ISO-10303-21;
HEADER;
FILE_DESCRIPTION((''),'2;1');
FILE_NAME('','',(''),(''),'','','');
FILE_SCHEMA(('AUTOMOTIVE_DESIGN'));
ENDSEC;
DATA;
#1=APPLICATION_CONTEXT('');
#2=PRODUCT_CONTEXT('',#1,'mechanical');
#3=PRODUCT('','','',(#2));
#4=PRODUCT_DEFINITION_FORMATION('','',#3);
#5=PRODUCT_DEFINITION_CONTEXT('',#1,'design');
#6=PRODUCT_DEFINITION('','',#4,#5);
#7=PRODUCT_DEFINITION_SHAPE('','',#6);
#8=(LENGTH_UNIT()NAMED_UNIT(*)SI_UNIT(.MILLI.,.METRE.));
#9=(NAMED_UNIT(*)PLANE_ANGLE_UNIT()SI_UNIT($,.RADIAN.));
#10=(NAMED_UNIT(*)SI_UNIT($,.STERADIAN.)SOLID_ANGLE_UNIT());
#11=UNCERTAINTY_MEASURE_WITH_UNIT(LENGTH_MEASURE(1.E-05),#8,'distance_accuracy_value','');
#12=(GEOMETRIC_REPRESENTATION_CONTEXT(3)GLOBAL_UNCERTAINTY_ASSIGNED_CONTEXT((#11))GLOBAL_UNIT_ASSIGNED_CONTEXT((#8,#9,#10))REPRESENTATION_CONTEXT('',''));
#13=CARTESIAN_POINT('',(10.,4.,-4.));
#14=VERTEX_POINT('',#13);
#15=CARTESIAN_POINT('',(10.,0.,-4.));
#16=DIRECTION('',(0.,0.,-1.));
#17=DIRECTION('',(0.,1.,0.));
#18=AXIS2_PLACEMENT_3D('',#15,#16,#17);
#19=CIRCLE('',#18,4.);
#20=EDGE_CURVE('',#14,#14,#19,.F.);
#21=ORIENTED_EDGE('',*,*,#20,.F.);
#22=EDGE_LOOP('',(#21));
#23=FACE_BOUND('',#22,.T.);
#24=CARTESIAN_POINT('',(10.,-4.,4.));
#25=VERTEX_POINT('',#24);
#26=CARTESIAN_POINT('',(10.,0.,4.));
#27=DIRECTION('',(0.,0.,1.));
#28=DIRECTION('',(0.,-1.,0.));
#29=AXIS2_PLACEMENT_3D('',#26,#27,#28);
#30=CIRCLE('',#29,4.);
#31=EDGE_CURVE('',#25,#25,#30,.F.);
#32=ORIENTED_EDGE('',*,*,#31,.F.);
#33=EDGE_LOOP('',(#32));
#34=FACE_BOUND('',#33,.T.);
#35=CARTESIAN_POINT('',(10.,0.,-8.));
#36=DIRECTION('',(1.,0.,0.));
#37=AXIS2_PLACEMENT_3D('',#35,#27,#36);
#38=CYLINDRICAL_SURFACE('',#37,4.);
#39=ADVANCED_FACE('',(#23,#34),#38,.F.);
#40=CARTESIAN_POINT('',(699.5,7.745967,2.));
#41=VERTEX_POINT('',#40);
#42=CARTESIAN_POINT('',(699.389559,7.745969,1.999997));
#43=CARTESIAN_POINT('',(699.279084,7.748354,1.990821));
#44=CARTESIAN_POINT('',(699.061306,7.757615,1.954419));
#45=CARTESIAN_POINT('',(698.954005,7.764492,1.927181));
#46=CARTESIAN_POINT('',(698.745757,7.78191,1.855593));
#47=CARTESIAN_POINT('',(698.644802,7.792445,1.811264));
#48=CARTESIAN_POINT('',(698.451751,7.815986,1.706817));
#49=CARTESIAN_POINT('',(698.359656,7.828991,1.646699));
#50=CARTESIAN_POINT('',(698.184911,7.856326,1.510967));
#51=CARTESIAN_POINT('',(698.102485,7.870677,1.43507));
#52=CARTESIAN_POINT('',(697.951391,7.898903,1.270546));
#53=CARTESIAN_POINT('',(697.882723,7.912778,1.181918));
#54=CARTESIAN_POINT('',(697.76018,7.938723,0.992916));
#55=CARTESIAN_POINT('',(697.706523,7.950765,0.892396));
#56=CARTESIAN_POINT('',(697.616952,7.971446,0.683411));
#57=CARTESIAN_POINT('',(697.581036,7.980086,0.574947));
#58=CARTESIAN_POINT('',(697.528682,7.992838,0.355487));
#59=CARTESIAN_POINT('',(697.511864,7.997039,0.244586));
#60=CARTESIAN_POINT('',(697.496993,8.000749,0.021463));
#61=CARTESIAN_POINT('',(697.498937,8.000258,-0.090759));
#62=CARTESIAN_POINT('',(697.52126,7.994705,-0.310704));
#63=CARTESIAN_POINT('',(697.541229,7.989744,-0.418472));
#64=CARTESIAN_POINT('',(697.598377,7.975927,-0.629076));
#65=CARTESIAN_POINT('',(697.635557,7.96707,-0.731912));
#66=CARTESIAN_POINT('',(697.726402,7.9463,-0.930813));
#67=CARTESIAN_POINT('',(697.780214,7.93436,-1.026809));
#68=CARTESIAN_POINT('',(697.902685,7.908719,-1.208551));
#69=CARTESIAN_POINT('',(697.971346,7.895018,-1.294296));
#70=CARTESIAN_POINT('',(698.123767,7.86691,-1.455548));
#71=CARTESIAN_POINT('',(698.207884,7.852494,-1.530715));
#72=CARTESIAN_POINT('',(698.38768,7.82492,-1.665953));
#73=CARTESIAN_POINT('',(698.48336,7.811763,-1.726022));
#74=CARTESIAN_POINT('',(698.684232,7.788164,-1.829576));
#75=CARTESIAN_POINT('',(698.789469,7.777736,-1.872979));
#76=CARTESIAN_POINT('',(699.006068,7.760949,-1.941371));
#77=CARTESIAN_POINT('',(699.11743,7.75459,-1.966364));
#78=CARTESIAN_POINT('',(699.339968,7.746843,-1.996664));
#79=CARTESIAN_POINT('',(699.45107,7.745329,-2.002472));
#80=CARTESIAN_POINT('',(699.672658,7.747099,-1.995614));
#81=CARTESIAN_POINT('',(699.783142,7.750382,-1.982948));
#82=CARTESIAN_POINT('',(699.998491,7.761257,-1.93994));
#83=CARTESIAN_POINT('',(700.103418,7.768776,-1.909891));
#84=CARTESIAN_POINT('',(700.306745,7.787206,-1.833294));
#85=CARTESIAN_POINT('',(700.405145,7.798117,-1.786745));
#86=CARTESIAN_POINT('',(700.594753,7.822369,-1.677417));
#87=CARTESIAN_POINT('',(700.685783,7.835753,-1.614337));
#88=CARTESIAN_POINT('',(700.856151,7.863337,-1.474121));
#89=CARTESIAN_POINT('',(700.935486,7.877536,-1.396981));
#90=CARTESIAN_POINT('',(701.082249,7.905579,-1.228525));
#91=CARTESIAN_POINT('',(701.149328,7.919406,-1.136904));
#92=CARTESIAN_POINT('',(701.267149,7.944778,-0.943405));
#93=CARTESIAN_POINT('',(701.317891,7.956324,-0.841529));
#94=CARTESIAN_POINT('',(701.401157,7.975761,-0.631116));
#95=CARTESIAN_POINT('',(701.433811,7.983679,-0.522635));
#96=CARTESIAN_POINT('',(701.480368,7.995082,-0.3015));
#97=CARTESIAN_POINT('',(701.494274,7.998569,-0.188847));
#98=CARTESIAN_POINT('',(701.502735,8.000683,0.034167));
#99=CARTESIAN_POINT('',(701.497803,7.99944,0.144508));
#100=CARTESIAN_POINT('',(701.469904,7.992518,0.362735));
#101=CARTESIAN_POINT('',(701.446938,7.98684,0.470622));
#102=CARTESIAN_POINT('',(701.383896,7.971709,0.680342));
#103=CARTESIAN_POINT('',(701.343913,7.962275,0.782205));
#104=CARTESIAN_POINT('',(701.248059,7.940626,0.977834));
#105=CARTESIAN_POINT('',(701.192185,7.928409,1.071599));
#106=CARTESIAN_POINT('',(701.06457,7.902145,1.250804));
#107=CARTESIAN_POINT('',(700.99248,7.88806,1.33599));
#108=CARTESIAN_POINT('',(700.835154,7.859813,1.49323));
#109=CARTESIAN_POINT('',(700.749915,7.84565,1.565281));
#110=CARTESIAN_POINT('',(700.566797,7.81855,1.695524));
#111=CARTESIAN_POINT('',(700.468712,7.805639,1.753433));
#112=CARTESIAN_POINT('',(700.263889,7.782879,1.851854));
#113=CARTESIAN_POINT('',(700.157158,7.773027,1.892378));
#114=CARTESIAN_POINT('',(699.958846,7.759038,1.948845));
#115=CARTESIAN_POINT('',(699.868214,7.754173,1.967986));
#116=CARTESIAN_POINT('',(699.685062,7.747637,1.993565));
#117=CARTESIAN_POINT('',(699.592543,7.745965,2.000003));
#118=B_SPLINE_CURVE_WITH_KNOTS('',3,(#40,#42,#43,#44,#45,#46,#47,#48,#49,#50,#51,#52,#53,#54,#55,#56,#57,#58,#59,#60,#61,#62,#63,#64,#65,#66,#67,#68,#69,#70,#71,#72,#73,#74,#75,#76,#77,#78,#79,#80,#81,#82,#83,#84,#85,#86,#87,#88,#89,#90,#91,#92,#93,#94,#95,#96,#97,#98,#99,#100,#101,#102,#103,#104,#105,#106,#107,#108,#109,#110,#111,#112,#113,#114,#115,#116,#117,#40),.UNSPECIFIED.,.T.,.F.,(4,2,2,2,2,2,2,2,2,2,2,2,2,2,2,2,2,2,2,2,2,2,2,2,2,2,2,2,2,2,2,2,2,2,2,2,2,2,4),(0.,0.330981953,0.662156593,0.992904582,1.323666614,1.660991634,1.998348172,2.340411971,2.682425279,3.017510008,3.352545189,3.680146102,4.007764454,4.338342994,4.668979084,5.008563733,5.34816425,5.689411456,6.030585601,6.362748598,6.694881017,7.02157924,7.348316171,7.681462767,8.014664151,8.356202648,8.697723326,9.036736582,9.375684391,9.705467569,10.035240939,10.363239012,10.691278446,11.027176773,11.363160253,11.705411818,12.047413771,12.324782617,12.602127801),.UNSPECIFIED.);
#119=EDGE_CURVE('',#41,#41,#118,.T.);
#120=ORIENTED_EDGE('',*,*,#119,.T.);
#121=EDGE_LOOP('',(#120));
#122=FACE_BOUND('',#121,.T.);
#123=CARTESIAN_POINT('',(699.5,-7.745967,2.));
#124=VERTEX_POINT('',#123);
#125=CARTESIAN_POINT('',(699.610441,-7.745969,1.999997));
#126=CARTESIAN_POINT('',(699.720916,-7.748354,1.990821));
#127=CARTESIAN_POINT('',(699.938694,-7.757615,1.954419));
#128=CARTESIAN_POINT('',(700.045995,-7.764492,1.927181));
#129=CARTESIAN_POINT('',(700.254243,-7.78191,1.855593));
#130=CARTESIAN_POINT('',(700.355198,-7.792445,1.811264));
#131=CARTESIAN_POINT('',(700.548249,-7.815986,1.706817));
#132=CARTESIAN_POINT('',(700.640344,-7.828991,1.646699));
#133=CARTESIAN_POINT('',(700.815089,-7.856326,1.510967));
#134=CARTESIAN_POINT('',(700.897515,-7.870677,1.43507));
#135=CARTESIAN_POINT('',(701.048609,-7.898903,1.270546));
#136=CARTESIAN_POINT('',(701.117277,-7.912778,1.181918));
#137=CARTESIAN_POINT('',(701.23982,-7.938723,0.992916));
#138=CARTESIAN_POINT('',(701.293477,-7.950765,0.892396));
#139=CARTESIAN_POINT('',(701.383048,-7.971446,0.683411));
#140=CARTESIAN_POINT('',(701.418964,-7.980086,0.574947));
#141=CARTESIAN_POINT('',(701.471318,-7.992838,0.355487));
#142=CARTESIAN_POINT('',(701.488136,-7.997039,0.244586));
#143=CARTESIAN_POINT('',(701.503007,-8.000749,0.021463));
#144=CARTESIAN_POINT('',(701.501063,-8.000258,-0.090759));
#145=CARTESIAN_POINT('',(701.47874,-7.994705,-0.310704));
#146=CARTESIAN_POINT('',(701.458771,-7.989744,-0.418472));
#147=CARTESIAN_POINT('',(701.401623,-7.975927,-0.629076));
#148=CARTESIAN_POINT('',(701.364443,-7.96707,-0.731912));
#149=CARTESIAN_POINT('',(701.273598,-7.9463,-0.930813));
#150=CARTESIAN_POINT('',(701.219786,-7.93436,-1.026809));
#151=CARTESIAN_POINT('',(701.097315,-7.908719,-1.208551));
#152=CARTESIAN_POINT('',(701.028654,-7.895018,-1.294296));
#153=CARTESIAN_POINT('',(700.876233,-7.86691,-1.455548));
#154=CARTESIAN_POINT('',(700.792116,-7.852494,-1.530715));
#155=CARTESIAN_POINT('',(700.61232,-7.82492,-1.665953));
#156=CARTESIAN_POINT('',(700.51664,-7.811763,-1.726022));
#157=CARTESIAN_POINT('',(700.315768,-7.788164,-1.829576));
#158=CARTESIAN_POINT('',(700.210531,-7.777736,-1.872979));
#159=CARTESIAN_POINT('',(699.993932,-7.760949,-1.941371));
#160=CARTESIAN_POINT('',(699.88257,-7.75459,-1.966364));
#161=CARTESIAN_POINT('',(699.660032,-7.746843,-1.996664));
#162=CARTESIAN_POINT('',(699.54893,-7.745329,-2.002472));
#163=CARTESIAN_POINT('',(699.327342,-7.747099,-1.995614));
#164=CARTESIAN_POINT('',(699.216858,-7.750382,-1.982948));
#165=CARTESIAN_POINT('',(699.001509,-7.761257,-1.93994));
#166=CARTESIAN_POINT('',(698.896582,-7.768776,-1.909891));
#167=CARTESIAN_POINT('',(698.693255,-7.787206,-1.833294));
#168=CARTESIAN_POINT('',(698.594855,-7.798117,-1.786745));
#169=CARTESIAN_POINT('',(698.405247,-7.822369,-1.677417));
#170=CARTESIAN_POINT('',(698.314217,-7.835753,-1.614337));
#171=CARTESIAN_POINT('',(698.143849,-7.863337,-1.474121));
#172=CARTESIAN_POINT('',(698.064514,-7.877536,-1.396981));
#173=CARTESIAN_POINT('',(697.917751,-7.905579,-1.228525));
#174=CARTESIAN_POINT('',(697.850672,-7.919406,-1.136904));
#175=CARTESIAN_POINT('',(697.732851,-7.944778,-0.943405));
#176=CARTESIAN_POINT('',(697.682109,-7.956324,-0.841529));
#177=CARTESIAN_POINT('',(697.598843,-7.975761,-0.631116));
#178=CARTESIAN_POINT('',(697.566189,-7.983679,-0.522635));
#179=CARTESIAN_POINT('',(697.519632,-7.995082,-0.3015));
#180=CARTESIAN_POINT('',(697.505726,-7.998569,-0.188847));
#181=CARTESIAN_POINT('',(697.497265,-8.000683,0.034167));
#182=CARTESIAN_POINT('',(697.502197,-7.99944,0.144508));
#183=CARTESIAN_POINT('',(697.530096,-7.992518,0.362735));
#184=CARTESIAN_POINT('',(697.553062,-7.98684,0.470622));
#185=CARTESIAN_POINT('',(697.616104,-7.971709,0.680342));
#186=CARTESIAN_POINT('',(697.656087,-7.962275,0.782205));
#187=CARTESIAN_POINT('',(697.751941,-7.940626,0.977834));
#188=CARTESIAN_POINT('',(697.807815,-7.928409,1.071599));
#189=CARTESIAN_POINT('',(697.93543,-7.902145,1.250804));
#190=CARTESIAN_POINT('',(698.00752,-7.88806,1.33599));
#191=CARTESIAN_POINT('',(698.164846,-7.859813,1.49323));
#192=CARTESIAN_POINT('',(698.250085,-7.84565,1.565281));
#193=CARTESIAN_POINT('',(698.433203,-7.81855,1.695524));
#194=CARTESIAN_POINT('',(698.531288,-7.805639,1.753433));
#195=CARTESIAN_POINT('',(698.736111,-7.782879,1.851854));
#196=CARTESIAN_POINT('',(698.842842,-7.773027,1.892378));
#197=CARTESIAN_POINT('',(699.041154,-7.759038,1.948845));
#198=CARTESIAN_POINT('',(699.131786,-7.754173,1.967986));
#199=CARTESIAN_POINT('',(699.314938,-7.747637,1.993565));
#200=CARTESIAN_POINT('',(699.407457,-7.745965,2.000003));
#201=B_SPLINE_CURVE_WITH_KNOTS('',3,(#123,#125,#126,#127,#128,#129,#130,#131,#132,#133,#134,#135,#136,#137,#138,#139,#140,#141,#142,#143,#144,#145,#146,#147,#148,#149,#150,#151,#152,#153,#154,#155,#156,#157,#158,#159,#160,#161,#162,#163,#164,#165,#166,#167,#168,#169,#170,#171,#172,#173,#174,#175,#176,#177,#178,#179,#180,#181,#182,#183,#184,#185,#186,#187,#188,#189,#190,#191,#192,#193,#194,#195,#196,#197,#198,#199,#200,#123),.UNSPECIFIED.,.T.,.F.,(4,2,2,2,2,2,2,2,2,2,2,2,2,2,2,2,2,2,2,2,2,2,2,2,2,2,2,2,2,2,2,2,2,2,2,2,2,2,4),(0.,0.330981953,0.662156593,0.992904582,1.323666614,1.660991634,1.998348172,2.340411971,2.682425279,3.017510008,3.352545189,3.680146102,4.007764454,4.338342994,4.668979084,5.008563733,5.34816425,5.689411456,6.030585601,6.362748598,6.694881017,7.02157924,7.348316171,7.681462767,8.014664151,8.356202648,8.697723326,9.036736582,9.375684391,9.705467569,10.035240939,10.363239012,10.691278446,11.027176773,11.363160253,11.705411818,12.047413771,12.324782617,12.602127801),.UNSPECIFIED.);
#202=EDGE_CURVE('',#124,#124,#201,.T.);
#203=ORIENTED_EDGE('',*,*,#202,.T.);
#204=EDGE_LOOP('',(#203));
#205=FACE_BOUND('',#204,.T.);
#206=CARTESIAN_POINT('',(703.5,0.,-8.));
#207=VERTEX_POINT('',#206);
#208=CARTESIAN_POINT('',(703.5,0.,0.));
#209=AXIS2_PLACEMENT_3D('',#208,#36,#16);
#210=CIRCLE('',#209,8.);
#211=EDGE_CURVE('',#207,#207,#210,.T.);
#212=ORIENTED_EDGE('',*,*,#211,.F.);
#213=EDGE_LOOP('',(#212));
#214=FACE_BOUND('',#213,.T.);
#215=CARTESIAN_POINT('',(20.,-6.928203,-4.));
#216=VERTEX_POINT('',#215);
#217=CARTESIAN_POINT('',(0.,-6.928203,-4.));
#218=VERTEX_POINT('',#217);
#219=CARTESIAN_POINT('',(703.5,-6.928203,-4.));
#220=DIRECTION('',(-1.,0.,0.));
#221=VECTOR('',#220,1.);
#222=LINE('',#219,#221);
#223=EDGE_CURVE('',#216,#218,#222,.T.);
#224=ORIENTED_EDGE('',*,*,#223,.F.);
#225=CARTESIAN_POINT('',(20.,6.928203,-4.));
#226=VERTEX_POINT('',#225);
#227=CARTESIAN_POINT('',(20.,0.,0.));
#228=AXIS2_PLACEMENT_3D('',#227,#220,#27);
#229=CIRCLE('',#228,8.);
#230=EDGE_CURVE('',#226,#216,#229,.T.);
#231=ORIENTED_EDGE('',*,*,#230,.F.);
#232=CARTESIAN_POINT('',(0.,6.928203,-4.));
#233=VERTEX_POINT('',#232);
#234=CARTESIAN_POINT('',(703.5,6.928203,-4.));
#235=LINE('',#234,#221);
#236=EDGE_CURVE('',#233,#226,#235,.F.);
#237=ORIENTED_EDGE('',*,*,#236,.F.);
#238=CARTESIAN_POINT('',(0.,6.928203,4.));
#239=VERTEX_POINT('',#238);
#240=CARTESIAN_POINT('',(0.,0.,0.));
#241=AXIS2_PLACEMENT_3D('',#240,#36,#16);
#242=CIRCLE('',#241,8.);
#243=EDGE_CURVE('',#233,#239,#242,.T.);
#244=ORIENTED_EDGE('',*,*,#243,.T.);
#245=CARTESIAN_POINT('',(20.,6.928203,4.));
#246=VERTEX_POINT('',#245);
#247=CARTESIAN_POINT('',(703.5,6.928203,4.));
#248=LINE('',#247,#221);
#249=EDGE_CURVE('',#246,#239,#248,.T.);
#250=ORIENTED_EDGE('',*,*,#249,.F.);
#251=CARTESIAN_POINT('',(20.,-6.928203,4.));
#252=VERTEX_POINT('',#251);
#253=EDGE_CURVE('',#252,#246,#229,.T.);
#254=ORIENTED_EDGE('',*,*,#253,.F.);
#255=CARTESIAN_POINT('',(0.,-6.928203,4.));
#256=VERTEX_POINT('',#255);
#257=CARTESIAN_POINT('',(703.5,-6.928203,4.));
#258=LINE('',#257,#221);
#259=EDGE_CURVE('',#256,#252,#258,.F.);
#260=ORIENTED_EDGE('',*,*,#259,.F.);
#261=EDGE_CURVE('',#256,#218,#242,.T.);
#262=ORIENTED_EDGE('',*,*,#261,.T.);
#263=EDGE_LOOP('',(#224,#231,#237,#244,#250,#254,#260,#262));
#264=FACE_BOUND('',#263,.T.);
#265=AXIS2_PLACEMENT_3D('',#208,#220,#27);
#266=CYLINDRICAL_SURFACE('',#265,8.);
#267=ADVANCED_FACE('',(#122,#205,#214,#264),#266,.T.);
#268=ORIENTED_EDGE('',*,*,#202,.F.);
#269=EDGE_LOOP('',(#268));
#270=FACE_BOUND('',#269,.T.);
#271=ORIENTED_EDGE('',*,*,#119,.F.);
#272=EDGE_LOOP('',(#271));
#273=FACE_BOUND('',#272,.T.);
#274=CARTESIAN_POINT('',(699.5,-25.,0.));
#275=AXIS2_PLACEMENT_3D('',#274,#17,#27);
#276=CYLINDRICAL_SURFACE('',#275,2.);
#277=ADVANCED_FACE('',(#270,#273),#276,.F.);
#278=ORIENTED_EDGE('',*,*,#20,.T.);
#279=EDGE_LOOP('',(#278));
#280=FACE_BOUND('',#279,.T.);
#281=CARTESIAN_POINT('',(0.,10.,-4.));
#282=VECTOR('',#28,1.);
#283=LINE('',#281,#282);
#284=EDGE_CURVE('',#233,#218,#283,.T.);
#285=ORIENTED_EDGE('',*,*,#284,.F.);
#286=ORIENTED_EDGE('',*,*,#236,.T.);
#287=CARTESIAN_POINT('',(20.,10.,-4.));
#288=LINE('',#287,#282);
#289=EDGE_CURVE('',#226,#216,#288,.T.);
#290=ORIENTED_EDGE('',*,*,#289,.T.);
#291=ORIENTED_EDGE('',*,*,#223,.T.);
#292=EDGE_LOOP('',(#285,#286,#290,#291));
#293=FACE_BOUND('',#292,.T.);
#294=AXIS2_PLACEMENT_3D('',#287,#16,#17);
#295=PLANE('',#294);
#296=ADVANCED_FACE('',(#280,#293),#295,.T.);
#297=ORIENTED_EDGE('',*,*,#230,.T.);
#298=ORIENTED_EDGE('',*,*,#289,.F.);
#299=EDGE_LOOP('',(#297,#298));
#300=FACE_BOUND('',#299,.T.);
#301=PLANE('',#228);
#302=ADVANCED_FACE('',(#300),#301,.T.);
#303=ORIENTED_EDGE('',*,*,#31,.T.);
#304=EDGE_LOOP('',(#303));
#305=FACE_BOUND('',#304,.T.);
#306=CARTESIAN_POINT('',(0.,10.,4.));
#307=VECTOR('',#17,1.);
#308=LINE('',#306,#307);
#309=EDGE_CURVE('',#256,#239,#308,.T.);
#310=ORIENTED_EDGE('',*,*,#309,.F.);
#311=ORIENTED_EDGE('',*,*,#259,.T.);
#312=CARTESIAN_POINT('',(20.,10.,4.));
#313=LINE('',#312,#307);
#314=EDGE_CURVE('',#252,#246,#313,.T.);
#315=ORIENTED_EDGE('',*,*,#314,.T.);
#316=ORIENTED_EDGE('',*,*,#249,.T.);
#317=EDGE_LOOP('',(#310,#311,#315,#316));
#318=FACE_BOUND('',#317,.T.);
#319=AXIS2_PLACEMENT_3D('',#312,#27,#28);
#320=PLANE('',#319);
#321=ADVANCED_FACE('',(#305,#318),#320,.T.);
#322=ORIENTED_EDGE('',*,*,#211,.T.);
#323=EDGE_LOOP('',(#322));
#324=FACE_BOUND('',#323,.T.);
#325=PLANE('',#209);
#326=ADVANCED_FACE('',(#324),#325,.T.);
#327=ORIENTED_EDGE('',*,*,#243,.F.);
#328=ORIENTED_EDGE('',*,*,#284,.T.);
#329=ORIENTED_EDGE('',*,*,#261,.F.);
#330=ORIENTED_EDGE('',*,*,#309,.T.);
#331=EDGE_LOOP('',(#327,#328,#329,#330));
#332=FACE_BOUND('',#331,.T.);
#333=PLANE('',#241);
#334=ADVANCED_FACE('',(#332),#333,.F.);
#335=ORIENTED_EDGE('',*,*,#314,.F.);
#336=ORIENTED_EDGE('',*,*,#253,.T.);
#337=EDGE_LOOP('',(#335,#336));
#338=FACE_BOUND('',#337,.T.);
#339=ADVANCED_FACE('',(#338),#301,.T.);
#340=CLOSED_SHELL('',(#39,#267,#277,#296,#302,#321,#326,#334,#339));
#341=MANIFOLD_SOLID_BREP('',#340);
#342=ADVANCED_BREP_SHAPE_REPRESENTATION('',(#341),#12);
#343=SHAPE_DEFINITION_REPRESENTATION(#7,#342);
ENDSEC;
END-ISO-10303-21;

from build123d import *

# Parameters (mm, degrees)
SKETCH_1_R               = 8
EXTRUDE_1_DEPTH          = 703.5
SKETCH_2_R               = 4
CUT_EXTRUDE_1_DEPTH      = 9
CUT_EXTRUDE_1_DEPTH_BACK = 9
SKETCH_3_OUTSIDE_W       = 158.772
SKETCH_3_OUTSIDE_H       = 158.772
SKETCH_3_OUTSIDE_W_2     = 8
SKETCH_3_OUTSIDE_H_2     = 20
CUT_EXTRUDE_2_DEPTH      = 20
SKETCH_4_R               = 2
CUT_EXTRUDE_3_DEPTH      = 25


with BuildPart() as part:
    # 草图1 → 凸台-拉伸1 (new body)
    with BuildSketch(Plane(origin=(0, 0, 0), x_dir=(0, 0, -1), z_dir=(1, 0, 0))):
        Circle(SKETCH_1_R)
    extrude(amount=EXTRUDE_1_DEPTH)

    # 草图2 → 切除-拉伸1 (cut, two sides)
    with BuildSketch(Plane.XY) as cut_extrude_1_sk:
        with Locations((10, 0)):
            Circle(SKETCH_2_R)
    extrude(amount=CUT_EXTRUDE_1_DEPTH, mode=Mode.SUBTRACT)
    extrude(cut_extrude_1_sk.sketch, amount=-CUT_EXTRUDE_1_DEPTH_BACK, mode=Mode.SUBTRACT)

    # 草图3 outside → 切除-拉伸2 (cut)
    with BuildSketch(Plane.ZY):
        Rectangle(SKETCH_3_OUTSIDE_W, SKETCH_3_OUTSIDE_H)
        Rectangle(SKETCH_3_OUTSIDE_W_2, SKETCH_3_OUTSIDE_H_2, mode=Mode.SUBTRACT)
    extrude(amount=-CUT_EXTRUDE_2_DEPTH, mode=Mode.SUBTRACT)

    # 草图4 → 切除-拉伸3 (cut, symmetric)
    with BuildSketch(Plane(origin=(0, 0, 0), x_dir=(1, 0, 0), z_dir=(0, 1, 0))):
        with Locations((699.5, 0)):
            Circle(SKETCH_4_R)
    extrude(amount=CUT_EXTRUDE_3_DEPTH, both=True, mode=Mode.SUBTRACT)


solid = part.part
